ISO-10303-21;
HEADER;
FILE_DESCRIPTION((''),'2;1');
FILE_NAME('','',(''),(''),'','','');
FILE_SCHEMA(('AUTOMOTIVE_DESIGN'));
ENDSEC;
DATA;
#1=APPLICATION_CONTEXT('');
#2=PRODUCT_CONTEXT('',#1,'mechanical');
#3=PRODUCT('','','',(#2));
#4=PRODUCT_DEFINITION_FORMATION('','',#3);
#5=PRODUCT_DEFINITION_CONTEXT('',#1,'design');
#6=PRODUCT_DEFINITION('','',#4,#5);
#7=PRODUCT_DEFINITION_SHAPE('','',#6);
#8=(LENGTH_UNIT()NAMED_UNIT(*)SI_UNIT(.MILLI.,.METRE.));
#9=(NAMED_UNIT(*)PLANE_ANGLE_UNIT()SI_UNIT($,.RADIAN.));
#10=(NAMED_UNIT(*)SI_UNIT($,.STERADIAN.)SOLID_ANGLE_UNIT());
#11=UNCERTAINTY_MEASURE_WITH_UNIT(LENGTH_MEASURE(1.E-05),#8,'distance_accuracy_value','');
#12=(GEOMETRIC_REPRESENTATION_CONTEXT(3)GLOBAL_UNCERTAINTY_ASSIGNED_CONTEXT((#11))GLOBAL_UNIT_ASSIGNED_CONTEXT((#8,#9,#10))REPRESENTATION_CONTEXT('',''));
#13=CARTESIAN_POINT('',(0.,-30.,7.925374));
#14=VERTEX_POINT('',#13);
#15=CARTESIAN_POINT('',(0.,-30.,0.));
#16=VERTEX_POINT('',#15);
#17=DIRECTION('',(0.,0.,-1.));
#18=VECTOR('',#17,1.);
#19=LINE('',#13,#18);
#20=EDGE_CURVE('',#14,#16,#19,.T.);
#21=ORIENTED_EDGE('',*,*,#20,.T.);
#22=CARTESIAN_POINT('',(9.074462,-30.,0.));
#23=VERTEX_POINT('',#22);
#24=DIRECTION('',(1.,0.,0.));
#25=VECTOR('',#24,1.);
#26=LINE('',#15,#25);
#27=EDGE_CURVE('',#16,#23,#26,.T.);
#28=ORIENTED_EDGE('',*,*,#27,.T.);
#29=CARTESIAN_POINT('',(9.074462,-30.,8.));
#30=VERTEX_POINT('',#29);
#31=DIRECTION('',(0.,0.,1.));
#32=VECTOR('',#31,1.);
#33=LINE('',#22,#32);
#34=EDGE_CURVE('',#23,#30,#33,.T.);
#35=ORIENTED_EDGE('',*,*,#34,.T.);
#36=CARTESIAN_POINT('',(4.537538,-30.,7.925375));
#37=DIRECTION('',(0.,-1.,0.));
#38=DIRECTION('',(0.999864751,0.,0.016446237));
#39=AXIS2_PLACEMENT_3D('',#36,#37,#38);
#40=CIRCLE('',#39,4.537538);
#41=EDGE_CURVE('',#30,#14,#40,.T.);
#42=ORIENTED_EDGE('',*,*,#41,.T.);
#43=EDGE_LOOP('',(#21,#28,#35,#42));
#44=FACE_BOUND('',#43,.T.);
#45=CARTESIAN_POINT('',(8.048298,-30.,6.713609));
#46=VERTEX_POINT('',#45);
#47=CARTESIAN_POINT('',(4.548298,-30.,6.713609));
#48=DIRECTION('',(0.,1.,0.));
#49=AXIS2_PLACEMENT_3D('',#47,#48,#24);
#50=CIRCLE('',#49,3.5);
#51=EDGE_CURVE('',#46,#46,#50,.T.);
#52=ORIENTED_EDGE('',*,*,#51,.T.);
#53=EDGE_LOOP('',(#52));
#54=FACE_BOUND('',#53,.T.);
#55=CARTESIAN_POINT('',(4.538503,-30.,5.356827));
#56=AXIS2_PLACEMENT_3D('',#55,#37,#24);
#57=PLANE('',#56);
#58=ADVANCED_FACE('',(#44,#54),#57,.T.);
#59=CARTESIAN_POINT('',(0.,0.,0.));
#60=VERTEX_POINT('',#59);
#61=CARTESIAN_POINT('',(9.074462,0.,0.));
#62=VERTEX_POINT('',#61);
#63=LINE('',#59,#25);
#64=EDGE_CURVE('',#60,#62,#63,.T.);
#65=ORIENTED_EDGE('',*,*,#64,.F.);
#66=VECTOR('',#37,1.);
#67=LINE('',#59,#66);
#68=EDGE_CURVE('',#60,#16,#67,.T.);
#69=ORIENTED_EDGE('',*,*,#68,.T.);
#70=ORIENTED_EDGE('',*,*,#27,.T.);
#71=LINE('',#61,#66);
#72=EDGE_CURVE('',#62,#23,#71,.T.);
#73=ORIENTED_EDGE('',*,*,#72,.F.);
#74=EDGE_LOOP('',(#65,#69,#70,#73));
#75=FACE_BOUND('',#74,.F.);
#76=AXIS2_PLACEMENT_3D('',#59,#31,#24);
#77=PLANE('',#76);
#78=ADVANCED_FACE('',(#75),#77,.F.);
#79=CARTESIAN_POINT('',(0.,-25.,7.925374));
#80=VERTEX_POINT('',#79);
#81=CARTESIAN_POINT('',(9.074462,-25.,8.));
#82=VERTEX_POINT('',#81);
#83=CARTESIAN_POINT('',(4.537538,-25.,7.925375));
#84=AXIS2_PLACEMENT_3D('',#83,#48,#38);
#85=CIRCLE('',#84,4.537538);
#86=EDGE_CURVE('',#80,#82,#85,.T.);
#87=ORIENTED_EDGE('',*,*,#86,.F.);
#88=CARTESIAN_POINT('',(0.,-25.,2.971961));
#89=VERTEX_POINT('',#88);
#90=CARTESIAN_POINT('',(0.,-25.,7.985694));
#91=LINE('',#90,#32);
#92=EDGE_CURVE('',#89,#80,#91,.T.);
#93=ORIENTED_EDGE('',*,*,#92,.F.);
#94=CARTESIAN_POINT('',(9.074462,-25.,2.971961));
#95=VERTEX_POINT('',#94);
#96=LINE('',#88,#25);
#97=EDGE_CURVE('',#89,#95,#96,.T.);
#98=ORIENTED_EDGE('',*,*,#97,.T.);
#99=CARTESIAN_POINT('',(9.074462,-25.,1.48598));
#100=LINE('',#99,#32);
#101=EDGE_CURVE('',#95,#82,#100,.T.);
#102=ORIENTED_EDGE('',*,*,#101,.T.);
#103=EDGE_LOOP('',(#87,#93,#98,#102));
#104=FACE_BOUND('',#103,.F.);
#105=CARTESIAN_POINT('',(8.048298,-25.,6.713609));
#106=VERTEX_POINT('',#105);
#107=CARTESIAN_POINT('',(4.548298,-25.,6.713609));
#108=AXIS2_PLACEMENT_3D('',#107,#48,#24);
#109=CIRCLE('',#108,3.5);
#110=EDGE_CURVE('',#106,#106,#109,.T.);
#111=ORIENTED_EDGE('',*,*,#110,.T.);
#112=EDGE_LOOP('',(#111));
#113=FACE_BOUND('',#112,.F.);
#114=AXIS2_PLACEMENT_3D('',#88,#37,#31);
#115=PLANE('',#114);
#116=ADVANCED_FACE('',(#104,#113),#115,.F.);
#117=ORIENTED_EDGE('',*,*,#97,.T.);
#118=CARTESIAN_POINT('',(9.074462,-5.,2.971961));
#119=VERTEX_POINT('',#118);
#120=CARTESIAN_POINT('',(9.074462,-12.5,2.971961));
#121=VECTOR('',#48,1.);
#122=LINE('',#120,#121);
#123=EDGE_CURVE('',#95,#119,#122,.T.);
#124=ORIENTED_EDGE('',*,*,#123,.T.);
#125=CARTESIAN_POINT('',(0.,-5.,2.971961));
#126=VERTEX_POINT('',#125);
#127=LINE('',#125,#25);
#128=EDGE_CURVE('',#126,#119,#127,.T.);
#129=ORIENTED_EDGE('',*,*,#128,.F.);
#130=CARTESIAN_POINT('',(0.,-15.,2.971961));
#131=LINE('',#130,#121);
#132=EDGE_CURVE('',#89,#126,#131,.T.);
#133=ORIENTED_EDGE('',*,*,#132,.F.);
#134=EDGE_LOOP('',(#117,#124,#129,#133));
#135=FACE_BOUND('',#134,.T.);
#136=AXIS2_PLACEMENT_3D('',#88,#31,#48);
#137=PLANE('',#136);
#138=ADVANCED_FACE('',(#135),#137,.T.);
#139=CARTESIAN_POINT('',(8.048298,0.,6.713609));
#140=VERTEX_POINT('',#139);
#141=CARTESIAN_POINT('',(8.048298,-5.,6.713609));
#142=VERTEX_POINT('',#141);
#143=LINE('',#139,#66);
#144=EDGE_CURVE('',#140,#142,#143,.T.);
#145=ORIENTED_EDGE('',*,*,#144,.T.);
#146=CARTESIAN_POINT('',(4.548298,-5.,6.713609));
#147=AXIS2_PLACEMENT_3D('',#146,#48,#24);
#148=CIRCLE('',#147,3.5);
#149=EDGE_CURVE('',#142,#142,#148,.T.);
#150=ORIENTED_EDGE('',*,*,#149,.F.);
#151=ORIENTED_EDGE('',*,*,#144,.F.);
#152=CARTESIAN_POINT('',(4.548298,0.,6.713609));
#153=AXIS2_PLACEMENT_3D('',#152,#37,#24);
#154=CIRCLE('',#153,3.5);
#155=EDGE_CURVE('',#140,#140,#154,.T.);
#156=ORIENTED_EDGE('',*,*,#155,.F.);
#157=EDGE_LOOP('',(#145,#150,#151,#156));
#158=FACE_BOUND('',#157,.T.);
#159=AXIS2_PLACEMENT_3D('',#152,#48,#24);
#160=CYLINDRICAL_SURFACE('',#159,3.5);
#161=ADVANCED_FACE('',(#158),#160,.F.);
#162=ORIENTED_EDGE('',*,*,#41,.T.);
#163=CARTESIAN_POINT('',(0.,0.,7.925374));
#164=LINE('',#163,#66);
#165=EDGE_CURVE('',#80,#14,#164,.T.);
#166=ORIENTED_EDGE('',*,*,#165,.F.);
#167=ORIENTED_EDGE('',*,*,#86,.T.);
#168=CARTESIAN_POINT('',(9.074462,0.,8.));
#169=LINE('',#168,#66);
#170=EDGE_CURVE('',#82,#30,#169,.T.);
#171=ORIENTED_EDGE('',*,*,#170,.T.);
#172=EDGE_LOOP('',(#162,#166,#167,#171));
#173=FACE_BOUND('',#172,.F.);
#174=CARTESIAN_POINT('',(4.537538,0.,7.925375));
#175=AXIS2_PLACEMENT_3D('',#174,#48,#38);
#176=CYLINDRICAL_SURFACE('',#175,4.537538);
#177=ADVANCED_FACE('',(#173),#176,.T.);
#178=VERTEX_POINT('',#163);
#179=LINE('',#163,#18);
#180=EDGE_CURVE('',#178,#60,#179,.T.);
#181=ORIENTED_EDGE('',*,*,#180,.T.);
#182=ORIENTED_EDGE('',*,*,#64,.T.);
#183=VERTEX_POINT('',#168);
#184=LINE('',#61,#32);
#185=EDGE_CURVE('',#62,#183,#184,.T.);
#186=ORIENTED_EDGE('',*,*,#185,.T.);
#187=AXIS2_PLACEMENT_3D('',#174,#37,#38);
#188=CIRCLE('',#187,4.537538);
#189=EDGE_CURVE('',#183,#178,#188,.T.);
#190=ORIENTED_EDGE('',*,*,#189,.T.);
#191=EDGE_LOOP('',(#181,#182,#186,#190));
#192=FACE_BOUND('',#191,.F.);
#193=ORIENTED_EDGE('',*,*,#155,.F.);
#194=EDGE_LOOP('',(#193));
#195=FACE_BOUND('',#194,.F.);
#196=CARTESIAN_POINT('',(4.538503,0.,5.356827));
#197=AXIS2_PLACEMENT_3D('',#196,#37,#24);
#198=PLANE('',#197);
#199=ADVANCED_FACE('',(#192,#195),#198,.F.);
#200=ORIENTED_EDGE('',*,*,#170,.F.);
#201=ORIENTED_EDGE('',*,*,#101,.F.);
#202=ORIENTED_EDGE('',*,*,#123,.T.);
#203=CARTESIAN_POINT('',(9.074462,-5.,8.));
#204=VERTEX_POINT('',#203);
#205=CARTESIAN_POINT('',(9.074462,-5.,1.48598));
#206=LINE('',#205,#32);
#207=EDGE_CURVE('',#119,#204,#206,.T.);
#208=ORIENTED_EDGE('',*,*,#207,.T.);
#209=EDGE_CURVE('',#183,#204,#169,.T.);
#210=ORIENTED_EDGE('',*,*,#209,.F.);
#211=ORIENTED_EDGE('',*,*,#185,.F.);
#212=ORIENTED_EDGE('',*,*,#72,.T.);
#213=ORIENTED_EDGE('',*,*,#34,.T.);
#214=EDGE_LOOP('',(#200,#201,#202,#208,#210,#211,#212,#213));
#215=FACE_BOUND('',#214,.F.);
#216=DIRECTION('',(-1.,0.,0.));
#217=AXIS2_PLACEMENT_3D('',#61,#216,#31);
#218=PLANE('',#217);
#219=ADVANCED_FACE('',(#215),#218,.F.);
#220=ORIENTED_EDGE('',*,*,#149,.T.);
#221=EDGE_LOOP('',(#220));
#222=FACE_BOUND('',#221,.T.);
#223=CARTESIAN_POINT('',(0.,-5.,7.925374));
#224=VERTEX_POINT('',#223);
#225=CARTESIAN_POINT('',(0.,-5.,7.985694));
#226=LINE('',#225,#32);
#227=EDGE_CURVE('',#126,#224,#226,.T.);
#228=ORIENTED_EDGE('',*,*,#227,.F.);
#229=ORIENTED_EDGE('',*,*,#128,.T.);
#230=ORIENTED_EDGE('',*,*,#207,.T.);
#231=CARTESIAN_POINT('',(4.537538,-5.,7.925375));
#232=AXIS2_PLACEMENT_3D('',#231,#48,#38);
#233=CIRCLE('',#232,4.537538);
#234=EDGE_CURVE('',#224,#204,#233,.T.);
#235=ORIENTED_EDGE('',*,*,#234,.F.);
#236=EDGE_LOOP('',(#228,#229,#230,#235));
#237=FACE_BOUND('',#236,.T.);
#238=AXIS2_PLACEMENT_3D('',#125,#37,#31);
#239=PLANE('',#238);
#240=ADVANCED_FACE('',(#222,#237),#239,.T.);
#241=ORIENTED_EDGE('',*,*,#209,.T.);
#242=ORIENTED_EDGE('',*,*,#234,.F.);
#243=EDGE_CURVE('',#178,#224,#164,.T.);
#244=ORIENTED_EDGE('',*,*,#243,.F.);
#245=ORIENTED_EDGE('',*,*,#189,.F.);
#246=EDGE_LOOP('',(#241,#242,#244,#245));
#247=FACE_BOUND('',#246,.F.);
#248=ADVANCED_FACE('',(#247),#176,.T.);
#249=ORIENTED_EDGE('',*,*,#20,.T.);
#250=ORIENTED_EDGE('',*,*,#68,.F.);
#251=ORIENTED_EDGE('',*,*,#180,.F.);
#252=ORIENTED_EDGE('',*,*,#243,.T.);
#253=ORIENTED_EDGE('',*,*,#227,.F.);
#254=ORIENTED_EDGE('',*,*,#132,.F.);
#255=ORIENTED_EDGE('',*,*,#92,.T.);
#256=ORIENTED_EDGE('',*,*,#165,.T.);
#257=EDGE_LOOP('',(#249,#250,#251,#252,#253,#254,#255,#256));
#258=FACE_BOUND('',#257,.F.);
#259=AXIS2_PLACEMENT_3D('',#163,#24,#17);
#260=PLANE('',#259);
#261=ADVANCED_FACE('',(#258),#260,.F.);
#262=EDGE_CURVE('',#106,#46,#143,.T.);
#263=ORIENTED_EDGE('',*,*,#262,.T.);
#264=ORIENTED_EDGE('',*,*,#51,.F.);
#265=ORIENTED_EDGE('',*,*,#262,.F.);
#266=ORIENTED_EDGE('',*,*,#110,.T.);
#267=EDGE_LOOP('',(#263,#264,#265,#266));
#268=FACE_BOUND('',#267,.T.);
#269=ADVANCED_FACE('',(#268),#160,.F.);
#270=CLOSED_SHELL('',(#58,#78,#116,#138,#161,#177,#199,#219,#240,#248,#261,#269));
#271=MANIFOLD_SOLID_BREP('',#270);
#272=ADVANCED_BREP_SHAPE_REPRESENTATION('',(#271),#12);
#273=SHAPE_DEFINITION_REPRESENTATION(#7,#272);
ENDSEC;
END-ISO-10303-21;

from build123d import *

# Parameters (mm, degrees)
F1_DEPTH = 30
F2_R     = 3.5
F3_DEPTH = 30.001
F4_W     = 20
F4_H     = 10.027466
F5_DEPTH = 9.075462


with BuildPart() as f1:
    # F0 (on Front) → F1 (new body)
    with BuildSketch(Plane.XZ):
        with BuildLine():
            Line((0, 7.925374), (0, 0))
            Line((0, 0), (9.074462, 0))
            Line((9.074462, 0), (9.074462, 8))
            ThreePointArc((9.074462, 8), (4.500224, 12.462759), (0, 7.925374))
        make_face()
    extrude(amount=F1_DEPTH)

    # F2 (on Front) → F3 (cut, through all)
    with BuildSketch(Plane.XZ):
        with Locations((4.548298, 6.713609)):
            Circle(F2_R)
    extrude(amount=F3_DEPTH, mode=Mode.SUBTRACT)

    # F4 (on Right) → F5 (cut, through all)
    with BuildSketch(Plane.YZ):
        with Locations((-15, 7.985694)):
            Rectangle(F4_W, F4_H)
    extrude(amount=F5_DEPTH, mode=Mode.SUBTRACT)


solid = f1.part
